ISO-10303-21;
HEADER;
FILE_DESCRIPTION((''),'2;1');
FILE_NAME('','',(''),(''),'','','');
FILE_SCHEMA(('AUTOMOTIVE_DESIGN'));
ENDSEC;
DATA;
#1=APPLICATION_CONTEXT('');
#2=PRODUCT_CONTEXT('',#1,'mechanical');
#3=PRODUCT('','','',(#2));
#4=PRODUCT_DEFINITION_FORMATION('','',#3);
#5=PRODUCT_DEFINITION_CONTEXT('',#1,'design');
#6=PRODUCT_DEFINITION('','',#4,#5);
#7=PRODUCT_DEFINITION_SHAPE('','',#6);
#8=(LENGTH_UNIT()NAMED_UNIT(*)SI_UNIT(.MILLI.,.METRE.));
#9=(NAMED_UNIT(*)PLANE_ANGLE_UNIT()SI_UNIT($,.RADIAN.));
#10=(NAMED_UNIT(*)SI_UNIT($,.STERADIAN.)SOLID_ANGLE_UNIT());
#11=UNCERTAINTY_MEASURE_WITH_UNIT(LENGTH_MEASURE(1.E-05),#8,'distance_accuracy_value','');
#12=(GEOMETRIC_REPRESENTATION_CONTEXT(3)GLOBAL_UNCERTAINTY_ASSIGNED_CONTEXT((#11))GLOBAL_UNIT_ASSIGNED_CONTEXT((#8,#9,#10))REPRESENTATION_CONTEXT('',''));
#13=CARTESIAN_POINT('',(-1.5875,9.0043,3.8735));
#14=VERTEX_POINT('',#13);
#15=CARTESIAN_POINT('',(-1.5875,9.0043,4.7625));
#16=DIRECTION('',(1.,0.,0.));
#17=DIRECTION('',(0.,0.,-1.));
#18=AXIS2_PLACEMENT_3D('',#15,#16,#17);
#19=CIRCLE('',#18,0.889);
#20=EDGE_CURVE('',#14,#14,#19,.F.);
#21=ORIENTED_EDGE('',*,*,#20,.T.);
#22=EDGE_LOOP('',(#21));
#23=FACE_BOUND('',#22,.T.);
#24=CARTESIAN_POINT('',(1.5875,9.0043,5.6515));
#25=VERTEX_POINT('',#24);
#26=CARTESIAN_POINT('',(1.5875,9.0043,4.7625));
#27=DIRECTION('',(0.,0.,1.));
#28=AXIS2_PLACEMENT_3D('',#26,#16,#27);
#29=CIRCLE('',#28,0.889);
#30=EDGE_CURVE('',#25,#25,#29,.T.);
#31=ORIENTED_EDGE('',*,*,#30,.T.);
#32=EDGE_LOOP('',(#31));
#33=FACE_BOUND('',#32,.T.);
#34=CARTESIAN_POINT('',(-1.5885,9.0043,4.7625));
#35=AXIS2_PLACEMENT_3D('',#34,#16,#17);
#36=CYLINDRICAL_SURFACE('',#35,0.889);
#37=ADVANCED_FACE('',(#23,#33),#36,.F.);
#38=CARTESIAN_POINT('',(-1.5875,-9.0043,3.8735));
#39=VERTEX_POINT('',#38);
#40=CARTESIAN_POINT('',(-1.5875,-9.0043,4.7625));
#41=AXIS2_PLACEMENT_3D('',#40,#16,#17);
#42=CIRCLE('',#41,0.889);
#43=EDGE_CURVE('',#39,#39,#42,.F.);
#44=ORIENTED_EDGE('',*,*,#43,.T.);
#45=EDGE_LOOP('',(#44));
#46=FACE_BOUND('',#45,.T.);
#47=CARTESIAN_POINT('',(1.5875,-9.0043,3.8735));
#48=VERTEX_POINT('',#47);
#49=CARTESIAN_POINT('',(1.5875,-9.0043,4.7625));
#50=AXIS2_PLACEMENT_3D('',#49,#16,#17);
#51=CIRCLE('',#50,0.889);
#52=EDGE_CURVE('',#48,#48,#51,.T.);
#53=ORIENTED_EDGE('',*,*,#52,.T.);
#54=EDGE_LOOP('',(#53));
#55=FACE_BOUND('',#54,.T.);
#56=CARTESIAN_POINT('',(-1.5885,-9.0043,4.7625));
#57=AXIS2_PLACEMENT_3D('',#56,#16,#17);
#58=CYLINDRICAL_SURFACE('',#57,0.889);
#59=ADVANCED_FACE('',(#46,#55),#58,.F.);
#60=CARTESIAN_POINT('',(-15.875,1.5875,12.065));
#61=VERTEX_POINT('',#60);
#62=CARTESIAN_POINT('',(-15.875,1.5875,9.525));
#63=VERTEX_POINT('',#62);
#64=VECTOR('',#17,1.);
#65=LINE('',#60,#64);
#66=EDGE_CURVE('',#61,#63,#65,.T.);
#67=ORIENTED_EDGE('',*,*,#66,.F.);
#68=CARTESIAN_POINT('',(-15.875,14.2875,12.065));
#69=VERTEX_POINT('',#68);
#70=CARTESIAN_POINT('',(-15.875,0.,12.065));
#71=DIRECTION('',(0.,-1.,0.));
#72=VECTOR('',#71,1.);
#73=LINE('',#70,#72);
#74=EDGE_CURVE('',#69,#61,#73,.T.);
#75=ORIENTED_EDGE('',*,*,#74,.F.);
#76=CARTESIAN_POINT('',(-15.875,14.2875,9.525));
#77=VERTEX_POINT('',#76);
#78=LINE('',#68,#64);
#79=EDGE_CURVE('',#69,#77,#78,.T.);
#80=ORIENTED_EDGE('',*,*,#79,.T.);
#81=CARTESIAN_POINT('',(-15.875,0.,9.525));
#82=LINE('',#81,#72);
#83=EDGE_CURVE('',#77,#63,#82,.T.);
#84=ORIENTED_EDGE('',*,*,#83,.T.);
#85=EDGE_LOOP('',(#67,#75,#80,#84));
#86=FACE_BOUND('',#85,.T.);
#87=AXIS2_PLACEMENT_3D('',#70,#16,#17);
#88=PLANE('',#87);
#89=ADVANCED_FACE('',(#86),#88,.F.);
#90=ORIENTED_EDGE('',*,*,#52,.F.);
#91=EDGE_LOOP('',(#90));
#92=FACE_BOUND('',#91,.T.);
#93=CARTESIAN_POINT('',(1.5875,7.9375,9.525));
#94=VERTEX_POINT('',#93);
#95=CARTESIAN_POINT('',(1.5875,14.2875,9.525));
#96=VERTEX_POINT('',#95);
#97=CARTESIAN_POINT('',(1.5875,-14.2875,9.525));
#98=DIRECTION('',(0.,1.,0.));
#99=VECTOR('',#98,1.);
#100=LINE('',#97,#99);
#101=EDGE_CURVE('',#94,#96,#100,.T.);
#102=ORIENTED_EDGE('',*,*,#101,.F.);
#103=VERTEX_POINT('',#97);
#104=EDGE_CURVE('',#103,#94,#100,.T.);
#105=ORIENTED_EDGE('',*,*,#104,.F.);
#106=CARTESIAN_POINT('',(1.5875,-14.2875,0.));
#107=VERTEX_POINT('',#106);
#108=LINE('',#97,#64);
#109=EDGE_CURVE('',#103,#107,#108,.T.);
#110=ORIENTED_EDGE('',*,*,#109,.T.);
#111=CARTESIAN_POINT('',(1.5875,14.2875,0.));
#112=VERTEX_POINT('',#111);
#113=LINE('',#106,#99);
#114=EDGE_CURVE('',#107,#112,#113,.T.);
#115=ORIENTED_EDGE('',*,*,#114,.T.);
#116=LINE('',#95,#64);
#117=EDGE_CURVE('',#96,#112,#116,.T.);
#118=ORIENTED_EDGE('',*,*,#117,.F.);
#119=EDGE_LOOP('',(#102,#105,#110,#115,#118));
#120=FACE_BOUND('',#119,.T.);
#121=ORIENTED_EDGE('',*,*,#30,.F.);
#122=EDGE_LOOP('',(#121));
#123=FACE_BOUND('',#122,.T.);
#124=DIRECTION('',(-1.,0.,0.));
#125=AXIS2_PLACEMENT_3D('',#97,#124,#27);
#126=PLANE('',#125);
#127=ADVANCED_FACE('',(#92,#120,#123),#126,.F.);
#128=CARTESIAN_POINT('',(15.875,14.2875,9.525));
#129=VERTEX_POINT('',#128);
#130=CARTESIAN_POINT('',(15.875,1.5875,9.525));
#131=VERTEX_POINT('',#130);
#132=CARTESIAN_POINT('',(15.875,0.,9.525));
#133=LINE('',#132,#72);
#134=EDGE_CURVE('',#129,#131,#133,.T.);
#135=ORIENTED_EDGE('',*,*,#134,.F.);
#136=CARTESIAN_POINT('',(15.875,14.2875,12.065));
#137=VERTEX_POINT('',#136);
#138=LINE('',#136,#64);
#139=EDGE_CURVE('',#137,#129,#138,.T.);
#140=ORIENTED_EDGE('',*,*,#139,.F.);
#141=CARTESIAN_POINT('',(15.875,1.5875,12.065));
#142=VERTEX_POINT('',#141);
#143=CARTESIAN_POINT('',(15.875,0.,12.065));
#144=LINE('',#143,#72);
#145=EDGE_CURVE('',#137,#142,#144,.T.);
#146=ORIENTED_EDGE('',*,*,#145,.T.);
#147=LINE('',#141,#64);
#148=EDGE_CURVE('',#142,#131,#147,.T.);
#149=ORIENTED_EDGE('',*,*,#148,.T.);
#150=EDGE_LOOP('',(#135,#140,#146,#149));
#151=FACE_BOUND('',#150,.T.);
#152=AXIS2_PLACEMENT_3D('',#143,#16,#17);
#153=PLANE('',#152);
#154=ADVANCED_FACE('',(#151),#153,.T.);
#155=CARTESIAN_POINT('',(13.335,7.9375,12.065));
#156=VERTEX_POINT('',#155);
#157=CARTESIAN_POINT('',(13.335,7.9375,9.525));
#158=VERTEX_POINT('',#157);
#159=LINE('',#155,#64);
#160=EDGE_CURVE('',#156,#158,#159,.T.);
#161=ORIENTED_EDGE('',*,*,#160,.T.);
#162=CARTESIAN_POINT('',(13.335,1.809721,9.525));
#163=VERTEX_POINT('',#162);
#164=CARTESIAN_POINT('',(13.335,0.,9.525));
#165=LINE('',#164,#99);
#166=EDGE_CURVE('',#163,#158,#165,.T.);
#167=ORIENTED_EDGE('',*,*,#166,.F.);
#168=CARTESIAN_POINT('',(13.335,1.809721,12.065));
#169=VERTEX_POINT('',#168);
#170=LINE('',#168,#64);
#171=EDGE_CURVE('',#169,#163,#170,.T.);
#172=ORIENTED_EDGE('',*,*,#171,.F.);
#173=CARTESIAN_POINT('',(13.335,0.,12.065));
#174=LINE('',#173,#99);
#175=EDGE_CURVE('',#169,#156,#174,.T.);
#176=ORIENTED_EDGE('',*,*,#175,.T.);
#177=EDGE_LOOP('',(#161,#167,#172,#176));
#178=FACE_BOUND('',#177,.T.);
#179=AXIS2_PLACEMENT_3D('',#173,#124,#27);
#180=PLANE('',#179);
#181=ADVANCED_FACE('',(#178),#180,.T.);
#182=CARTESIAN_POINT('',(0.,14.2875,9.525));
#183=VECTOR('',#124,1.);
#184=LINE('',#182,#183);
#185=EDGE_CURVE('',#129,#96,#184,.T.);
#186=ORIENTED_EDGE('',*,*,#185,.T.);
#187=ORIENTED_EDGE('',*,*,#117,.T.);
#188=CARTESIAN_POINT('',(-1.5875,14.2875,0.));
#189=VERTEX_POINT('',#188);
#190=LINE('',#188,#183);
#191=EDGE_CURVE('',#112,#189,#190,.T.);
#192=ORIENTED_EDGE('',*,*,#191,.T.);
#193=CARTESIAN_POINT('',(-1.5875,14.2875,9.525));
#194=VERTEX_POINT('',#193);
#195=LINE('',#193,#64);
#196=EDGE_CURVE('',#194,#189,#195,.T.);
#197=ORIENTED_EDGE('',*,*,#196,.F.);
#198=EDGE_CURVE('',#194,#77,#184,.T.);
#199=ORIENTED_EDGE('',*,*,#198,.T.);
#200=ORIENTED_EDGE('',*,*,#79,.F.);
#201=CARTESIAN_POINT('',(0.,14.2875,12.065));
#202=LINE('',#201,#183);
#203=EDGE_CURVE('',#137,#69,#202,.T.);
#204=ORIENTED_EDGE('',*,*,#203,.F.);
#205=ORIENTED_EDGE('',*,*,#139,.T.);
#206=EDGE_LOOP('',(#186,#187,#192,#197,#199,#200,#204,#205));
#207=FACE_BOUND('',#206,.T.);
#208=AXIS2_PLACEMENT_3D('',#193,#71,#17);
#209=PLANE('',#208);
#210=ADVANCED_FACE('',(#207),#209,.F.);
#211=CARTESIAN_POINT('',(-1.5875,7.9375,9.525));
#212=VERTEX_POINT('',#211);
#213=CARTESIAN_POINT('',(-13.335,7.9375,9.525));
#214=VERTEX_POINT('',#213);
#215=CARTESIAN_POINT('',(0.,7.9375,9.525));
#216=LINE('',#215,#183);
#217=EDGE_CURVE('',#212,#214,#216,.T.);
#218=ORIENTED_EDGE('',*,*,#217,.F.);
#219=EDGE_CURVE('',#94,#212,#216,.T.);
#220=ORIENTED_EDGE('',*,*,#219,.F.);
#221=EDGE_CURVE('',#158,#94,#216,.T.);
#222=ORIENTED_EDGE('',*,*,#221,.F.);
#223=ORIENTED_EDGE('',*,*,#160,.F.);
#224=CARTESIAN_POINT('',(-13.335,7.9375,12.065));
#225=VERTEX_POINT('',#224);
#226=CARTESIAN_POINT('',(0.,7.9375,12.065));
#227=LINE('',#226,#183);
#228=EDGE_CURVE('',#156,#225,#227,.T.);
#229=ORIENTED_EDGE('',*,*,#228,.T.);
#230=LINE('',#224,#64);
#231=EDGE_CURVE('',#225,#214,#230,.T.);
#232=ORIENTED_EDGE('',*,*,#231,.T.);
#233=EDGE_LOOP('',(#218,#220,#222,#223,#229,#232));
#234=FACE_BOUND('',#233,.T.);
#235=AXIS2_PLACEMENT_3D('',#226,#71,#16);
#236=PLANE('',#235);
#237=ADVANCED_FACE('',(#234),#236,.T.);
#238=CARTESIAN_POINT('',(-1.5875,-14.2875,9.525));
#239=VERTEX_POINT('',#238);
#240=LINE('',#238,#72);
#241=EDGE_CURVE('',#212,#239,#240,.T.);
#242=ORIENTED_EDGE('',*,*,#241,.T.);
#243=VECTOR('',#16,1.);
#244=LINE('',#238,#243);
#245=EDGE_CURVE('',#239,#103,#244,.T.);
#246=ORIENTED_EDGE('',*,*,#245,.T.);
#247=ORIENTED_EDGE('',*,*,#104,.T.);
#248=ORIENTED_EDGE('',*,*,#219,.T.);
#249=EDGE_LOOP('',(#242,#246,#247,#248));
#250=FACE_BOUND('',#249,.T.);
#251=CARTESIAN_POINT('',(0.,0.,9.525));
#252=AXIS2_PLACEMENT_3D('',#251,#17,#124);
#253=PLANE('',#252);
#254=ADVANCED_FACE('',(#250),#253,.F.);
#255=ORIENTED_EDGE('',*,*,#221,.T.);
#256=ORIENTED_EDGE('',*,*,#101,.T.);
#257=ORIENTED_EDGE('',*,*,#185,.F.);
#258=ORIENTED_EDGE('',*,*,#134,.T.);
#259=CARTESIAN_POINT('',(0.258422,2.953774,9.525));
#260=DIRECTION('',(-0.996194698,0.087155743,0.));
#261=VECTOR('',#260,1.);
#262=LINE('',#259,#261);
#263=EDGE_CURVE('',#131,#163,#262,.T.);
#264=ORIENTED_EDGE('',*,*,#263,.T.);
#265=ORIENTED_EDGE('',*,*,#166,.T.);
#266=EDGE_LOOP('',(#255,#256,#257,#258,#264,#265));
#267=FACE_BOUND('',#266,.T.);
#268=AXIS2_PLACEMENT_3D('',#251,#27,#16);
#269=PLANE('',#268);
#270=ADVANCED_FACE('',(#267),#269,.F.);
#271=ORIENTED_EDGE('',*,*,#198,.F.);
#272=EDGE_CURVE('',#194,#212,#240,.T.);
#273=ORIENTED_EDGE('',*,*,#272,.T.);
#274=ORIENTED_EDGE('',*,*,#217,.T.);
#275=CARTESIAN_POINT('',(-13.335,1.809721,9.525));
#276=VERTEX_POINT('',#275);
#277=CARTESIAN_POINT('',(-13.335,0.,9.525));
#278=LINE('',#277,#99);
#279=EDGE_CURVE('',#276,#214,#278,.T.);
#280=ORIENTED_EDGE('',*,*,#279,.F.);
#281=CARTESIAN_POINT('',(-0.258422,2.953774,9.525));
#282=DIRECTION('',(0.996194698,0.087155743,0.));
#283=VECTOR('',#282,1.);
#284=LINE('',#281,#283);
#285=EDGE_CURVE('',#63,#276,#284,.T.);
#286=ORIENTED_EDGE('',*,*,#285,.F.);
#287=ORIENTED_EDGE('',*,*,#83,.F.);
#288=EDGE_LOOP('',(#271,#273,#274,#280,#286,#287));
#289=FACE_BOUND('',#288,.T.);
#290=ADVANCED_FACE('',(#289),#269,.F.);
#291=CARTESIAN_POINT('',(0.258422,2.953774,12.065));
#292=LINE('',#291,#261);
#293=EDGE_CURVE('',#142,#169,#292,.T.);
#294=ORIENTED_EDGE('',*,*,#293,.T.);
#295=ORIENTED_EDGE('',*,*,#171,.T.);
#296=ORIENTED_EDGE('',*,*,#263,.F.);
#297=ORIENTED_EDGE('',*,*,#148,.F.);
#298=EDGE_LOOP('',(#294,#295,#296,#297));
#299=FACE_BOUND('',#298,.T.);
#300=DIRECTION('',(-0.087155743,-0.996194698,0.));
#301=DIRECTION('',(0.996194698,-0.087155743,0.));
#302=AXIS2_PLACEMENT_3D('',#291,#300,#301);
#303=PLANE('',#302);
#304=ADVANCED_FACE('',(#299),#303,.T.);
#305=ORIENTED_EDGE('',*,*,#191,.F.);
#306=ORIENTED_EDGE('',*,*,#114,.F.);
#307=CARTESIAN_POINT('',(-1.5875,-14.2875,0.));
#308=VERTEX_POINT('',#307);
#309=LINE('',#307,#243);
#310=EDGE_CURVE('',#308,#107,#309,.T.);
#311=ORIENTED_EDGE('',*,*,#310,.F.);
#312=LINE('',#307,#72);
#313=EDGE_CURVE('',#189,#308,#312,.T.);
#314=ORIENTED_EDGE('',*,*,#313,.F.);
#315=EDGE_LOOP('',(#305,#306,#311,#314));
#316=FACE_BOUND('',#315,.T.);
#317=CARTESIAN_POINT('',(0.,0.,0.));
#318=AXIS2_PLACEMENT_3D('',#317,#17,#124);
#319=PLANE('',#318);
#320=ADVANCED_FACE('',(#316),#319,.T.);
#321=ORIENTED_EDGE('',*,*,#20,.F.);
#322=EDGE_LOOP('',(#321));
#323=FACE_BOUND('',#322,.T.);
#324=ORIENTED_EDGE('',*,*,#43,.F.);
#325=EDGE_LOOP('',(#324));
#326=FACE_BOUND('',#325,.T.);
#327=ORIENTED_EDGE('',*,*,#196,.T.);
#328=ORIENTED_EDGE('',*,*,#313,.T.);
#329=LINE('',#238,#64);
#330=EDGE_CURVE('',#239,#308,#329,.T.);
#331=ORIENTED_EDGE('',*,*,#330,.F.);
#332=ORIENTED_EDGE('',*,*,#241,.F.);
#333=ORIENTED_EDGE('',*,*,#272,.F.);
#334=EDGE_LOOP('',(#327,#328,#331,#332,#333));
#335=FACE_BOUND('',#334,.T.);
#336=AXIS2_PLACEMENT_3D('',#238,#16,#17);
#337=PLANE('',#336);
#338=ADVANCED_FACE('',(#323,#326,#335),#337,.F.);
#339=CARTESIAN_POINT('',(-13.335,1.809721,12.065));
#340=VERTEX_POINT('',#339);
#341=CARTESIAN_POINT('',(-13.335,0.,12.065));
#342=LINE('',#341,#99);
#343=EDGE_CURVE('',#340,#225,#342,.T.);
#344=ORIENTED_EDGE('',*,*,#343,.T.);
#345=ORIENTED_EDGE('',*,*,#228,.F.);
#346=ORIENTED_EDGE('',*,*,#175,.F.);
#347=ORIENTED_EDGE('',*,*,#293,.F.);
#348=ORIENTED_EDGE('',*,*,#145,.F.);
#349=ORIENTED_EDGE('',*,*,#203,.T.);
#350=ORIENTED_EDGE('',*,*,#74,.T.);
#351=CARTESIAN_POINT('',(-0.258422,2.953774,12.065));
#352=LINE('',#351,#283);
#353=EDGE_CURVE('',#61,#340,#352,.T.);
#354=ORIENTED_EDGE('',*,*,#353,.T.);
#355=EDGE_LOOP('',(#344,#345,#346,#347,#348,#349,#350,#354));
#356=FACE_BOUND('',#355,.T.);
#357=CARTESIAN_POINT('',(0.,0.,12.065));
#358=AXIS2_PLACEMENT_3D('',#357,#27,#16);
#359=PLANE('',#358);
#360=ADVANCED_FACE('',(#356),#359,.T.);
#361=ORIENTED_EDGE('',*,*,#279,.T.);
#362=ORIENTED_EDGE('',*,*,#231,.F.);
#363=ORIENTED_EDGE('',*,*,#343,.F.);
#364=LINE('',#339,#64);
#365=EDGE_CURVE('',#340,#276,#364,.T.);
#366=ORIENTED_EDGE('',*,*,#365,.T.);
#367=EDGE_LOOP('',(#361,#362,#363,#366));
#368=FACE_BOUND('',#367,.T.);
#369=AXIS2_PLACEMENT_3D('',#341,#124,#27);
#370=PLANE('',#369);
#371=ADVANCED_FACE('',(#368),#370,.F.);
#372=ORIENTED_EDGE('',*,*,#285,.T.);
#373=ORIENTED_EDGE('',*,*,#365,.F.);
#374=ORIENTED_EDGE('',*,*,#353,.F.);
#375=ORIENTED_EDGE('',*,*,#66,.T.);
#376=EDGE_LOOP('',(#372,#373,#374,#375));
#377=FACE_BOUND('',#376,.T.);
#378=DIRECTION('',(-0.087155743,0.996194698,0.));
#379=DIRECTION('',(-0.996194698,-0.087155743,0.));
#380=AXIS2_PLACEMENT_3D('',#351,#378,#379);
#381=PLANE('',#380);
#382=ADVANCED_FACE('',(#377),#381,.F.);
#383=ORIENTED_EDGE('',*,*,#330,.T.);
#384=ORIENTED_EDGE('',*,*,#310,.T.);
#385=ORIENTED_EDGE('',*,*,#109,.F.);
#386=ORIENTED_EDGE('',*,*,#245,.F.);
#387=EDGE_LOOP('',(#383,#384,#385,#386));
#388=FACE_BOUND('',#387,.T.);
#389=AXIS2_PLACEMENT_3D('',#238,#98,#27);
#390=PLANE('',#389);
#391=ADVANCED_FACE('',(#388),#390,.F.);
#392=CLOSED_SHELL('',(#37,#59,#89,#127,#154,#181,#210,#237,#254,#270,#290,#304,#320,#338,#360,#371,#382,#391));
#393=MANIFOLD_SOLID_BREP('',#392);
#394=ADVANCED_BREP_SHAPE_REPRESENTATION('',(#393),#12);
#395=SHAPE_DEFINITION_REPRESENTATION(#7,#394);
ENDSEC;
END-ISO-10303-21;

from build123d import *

# Parameters (mm, degrees)
SKETCH1_W           = 3.175
SKETCH1_H           = 28.575
BOSS_EXTRUDE1_DEPTH = 9.525
CUT_EXTRUDE1_REACH  = 19.462
SKETCH4_R           = 0.889
SKETCH5_W           = 3.175
SKETCH5_H           = 6.35
BOSS_EXTRUDE3_DEPTH = 2.54


with BuildPart() as part:
    # Sketch1 → Boss-Extrude1 (new body)
    with BuildSketch(Plane.XY):
        Rectangle(SKETCH1_W, SKETCH1_H)
    extrude(amount=BOSS_EXTRUDE1_DEPTH)

    # Sketch4 → Cut-Extrude1 (cut, up to next)
    with BuildSketch(Plane(origin=(1.5875, 0, 0), x_dir=(0, 0, -1), z_dir=(1, 0, 0)), mode=Mode.PRIVATE) as cut_extrude1_sk1:
        with Locations((-4.7625, -9.0043)):
            Circle(SKETCH4_R)
    cut_extrude1_tool1 = extrude(cut_extrude1_sk1.sketch, amount=-CUT_EXTRUDE1_REACH, mode=Mode.PRIVATE) & part.part
    # Sketch4 → Cut-Extrude1 (cut, up to next)
    with BuildSketch(Plane(origin=(1.5875, 0, 0), x_dir=(0, 0, -1), z_dir=(1, 0, 0)), mode=Mode.PRIVATE) as cut_extrude1_sk2:
        with Locations((-4.7625, 9.0043)):
            Circle(SKETCH4_R)
    cut_extrude1_tool2 = extrude(cut_extrude1_sk2.sketch, amount=-CUT_EXTRUDE1_REACH, mode=Mode.PRIVATE) & part.part
    add(cut_extrude1_tool1.solids().sort_by_distance((1.5875, -9.0043, 4.7625))[0], mode=Mode.SUBTRACT)
    add(cut_extrude1_tool2.solids().sort_by_distance((1.5875, 9.0043, 4.7625))[0], mode=Mode.SUBTRACT)

    # Sketch5 → Boss-Extrude3 (add)
    with BuildSketch(Plane.XY.offset(9.525)):
        Polygon((-1.5875, 7.9375), (-1.5875, 14.2875), (-15.875, 14.2875), (-15.875, 7.9375), (-13.335, 7.9375), align=None)
        with Locations((0, 11.1125)):
            Rectangle(SKETCH5_W, SKETCH5_H)
        Polygon((15.875, 7.9375), (15.875, 14.2875), (1.5875, 14.2875), (1.5875, 7.9375), (13.335, 7.9375), align=None)
        Polygon((15.875, 1.5875), (15.875, 7.9375), (13.335, 7.9375), (13.335, 1.809721205), align=None)
        Polygon((-13.335, 7.9375), (-15.875, 7.9375), (-15.875, 1.5875), (-13.335, 1.809721205), align=None)
    extrude(amount=BOSS_EXTRUDE3_DEPTH)


solid = part.part
